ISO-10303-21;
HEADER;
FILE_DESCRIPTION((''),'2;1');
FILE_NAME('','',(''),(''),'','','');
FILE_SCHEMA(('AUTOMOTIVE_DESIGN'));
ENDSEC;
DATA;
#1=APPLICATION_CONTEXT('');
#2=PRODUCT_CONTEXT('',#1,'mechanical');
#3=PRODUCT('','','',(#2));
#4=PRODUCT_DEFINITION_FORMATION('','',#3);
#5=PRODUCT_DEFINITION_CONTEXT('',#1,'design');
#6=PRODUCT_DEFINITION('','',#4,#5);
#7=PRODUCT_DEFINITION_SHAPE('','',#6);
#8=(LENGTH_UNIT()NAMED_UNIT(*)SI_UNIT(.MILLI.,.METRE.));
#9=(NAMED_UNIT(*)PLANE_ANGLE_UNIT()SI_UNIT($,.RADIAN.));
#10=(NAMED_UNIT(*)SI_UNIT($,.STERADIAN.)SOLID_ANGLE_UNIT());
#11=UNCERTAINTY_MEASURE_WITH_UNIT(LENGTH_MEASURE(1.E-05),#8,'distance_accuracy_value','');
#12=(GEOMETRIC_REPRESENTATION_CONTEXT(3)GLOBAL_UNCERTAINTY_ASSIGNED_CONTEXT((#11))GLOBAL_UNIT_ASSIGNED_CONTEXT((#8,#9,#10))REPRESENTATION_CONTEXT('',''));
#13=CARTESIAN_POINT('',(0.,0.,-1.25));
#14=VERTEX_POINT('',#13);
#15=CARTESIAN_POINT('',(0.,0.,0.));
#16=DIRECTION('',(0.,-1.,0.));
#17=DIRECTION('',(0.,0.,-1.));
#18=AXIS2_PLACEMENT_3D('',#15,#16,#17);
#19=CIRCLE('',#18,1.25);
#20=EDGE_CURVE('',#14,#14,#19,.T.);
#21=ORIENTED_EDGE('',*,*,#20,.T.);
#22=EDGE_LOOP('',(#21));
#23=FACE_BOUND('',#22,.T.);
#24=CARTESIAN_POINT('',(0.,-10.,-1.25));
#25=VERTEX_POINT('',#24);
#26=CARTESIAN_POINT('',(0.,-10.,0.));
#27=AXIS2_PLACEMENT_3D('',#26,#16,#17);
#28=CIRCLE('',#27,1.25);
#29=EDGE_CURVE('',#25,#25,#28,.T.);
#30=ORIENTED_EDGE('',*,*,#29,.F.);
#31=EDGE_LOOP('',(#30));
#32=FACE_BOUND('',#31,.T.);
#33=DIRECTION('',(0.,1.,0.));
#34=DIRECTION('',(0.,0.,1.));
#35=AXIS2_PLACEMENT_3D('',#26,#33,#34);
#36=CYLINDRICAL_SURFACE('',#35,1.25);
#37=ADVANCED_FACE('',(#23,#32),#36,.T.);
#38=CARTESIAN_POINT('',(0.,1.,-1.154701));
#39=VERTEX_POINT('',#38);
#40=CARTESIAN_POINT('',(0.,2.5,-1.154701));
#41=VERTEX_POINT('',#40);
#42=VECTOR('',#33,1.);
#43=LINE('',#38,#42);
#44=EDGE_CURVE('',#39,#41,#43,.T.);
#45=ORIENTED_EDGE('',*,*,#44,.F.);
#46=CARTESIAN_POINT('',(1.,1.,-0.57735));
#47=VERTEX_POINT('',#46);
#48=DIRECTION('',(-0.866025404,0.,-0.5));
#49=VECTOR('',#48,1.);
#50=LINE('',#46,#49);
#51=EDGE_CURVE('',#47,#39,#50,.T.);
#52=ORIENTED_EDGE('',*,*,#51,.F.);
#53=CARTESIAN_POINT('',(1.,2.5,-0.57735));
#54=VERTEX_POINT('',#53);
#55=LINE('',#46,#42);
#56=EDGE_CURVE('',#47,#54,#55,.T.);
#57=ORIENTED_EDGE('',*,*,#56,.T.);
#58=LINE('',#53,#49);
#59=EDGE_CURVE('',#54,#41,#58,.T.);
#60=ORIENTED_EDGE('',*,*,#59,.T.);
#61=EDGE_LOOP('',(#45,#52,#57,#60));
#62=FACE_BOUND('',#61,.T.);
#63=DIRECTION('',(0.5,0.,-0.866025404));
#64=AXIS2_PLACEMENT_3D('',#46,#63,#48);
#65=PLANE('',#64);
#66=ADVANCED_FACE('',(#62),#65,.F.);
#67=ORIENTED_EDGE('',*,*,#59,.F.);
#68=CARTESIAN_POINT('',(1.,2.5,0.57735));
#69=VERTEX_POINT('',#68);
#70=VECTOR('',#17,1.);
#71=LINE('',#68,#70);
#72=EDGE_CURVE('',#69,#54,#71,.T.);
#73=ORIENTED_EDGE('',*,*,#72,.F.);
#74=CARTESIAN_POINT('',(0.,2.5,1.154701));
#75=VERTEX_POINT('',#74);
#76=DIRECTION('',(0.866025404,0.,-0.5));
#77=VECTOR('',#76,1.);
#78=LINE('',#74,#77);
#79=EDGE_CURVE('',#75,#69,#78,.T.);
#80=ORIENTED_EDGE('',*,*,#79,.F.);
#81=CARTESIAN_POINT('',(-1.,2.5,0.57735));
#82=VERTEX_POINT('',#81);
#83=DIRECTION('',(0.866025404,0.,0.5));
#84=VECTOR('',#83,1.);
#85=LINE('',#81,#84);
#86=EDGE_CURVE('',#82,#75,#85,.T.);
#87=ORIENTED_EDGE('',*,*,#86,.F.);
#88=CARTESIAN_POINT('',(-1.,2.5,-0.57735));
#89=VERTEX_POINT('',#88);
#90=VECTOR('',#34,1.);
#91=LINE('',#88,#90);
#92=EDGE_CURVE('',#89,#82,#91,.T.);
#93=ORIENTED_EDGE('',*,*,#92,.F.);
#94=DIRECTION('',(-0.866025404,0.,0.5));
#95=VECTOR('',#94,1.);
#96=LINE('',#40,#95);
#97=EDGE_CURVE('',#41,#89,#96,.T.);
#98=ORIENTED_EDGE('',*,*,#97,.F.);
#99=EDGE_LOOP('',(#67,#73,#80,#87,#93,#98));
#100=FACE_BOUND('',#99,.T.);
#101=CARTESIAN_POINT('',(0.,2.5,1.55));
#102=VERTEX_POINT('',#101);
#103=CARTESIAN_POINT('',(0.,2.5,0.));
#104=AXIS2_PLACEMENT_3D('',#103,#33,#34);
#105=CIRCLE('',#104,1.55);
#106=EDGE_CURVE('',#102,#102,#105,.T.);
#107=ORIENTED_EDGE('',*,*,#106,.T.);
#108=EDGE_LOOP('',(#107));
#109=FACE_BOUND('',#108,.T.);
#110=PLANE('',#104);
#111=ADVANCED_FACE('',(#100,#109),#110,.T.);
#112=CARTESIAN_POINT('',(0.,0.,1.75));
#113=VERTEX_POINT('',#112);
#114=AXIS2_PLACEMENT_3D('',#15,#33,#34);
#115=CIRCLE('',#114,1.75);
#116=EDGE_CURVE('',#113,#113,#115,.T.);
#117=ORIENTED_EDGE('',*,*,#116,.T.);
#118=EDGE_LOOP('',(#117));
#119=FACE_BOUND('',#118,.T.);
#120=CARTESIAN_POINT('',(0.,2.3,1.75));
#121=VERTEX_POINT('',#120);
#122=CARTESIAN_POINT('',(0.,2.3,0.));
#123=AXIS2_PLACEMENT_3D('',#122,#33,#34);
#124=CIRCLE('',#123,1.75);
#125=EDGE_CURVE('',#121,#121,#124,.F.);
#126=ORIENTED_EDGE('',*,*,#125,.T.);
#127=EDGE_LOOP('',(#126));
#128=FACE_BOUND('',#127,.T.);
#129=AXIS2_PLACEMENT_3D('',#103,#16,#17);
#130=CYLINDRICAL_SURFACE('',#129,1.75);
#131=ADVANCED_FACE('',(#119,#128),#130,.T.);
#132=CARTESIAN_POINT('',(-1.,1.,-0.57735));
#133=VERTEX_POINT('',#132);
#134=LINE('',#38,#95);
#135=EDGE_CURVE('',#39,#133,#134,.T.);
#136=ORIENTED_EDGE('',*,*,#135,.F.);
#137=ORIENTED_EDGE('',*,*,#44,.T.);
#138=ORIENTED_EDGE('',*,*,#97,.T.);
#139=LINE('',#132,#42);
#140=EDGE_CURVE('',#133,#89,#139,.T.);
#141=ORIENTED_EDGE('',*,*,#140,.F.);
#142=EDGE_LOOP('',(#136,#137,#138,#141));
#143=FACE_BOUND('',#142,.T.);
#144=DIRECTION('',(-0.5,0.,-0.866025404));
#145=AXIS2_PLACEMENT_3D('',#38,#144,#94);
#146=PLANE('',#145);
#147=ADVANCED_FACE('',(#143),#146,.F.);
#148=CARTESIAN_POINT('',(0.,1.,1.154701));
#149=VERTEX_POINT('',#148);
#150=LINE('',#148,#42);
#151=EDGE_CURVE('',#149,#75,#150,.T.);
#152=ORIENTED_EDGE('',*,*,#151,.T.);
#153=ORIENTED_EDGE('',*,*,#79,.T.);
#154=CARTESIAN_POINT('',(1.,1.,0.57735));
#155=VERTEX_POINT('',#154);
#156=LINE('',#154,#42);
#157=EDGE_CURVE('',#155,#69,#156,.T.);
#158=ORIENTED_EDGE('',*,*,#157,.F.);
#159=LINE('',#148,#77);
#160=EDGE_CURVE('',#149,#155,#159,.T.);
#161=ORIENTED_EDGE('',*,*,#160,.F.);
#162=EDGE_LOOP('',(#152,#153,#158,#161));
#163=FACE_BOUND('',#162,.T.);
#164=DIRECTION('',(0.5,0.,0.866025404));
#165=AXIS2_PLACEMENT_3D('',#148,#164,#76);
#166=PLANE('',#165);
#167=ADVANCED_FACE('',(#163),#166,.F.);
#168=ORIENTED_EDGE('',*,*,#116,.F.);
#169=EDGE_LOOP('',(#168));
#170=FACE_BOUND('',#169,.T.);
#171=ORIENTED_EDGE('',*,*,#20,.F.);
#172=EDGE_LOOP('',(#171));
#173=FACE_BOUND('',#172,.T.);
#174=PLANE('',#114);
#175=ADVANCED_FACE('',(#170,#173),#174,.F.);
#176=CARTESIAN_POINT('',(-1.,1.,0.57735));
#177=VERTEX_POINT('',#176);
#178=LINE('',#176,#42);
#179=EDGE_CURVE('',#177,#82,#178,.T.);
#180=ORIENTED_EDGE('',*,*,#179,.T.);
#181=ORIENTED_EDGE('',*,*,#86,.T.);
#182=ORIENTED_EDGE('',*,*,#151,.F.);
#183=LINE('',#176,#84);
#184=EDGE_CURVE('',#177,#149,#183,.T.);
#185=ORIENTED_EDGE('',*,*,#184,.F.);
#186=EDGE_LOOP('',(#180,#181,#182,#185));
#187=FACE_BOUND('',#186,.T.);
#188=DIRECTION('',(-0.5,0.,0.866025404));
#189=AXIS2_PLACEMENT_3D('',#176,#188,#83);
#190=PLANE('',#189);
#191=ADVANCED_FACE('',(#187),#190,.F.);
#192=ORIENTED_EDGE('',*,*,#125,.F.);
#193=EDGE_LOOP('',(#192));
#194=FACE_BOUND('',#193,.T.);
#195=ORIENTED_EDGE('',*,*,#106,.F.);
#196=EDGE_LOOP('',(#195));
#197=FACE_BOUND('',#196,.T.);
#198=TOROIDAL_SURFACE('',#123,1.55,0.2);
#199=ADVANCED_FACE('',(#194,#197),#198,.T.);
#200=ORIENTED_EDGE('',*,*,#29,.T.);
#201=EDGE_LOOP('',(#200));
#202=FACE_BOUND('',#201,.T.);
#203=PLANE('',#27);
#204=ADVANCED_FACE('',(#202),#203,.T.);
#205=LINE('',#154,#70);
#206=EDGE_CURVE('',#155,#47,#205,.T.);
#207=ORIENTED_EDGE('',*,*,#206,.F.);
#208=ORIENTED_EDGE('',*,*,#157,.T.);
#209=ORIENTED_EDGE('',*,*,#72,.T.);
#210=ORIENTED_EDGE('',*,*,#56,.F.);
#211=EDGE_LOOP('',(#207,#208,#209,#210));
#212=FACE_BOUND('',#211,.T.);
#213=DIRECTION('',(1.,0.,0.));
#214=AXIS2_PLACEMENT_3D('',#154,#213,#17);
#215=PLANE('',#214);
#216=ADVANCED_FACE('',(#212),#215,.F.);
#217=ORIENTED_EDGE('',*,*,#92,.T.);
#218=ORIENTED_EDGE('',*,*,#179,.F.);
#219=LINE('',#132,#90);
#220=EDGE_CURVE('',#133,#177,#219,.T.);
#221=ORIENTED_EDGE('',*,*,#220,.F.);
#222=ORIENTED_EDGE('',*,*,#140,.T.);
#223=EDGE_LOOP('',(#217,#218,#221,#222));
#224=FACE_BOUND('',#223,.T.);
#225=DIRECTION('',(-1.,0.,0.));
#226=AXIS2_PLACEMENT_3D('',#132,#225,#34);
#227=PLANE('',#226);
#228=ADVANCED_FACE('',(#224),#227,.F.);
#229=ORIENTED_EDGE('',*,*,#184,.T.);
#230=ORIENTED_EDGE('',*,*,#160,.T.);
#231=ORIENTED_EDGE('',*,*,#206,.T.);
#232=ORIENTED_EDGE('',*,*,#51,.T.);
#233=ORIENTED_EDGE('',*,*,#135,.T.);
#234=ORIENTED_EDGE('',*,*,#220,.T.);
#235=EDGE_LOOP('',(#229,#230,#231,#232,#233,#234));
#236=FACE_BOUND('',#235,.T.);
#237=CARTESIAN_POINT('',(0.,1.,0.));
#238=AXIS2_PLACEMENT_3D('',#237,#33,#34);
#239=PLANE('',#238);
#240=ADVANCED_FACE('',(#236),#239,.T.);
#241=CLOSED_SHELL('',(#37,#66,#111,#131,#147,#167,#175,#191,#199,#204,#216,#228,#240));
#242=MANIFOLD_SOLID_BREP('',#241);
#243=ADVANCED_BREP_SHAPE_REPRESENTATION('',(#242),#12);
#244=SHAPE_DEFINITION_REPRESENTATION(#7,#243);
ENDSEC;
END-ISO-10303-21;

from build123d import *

# Parameters (mm, degrees)
SKETCH1_R           = 1.75
BOSS_EXTRUDE1_DEPTH = 2.5
SKETCH3_R           = 1.25
BOSS_EXTRUDE2_DEPTH = 10
FILLET1_R           = 0.2
CUT_EXTRUDE1_DEPTH  = 1.5


with BuildPart() as part:
    # Sketch1 → Boss-Extrude1 (new body)
    with BuildSketch(Plane(origin=(0, 0, 0), x_dir=(1, 0, 0), z_dir=(0, 1, 0))):
        Circle(SKETCH1_R)
    extrude(amount=BOSS_EXTRUDE1_DEPTH)

    # Sketch3 → Boss-Extrude2 (add)
    with BuildSketch(Plane.XZ):
        Circle(SKETCH3_R)
    extrude(amount=BOSS_EXTRUDE2_DEPTH)

    # Fillet1
    fillet1_edges = [part.edges().sort_by_distance(p)[0] for p in [
        (-1.75, 2.5, 0),
    ]]
    fillet(fillet1_edges, radius=FILLET1_R)

    # Sketch4 → Cut-Extrude1 (cut)
    with BuildSketch(Plane(origin=(0, 2.5, 0), x_dir=(1, 0, 0), z_dir=(0, 1, 0))):
        Polygon((0, -1.154700538), (1, -0.577350269), (1, 0.577350269), (0, 1.154700538), (-1, 0.577350269), (-1, -0.577350269), align=None)
    extrude(amount=-CUT_EXTRUDE1_DEPTH, mode=Mode.SUBTRACT)


solid = part.part
